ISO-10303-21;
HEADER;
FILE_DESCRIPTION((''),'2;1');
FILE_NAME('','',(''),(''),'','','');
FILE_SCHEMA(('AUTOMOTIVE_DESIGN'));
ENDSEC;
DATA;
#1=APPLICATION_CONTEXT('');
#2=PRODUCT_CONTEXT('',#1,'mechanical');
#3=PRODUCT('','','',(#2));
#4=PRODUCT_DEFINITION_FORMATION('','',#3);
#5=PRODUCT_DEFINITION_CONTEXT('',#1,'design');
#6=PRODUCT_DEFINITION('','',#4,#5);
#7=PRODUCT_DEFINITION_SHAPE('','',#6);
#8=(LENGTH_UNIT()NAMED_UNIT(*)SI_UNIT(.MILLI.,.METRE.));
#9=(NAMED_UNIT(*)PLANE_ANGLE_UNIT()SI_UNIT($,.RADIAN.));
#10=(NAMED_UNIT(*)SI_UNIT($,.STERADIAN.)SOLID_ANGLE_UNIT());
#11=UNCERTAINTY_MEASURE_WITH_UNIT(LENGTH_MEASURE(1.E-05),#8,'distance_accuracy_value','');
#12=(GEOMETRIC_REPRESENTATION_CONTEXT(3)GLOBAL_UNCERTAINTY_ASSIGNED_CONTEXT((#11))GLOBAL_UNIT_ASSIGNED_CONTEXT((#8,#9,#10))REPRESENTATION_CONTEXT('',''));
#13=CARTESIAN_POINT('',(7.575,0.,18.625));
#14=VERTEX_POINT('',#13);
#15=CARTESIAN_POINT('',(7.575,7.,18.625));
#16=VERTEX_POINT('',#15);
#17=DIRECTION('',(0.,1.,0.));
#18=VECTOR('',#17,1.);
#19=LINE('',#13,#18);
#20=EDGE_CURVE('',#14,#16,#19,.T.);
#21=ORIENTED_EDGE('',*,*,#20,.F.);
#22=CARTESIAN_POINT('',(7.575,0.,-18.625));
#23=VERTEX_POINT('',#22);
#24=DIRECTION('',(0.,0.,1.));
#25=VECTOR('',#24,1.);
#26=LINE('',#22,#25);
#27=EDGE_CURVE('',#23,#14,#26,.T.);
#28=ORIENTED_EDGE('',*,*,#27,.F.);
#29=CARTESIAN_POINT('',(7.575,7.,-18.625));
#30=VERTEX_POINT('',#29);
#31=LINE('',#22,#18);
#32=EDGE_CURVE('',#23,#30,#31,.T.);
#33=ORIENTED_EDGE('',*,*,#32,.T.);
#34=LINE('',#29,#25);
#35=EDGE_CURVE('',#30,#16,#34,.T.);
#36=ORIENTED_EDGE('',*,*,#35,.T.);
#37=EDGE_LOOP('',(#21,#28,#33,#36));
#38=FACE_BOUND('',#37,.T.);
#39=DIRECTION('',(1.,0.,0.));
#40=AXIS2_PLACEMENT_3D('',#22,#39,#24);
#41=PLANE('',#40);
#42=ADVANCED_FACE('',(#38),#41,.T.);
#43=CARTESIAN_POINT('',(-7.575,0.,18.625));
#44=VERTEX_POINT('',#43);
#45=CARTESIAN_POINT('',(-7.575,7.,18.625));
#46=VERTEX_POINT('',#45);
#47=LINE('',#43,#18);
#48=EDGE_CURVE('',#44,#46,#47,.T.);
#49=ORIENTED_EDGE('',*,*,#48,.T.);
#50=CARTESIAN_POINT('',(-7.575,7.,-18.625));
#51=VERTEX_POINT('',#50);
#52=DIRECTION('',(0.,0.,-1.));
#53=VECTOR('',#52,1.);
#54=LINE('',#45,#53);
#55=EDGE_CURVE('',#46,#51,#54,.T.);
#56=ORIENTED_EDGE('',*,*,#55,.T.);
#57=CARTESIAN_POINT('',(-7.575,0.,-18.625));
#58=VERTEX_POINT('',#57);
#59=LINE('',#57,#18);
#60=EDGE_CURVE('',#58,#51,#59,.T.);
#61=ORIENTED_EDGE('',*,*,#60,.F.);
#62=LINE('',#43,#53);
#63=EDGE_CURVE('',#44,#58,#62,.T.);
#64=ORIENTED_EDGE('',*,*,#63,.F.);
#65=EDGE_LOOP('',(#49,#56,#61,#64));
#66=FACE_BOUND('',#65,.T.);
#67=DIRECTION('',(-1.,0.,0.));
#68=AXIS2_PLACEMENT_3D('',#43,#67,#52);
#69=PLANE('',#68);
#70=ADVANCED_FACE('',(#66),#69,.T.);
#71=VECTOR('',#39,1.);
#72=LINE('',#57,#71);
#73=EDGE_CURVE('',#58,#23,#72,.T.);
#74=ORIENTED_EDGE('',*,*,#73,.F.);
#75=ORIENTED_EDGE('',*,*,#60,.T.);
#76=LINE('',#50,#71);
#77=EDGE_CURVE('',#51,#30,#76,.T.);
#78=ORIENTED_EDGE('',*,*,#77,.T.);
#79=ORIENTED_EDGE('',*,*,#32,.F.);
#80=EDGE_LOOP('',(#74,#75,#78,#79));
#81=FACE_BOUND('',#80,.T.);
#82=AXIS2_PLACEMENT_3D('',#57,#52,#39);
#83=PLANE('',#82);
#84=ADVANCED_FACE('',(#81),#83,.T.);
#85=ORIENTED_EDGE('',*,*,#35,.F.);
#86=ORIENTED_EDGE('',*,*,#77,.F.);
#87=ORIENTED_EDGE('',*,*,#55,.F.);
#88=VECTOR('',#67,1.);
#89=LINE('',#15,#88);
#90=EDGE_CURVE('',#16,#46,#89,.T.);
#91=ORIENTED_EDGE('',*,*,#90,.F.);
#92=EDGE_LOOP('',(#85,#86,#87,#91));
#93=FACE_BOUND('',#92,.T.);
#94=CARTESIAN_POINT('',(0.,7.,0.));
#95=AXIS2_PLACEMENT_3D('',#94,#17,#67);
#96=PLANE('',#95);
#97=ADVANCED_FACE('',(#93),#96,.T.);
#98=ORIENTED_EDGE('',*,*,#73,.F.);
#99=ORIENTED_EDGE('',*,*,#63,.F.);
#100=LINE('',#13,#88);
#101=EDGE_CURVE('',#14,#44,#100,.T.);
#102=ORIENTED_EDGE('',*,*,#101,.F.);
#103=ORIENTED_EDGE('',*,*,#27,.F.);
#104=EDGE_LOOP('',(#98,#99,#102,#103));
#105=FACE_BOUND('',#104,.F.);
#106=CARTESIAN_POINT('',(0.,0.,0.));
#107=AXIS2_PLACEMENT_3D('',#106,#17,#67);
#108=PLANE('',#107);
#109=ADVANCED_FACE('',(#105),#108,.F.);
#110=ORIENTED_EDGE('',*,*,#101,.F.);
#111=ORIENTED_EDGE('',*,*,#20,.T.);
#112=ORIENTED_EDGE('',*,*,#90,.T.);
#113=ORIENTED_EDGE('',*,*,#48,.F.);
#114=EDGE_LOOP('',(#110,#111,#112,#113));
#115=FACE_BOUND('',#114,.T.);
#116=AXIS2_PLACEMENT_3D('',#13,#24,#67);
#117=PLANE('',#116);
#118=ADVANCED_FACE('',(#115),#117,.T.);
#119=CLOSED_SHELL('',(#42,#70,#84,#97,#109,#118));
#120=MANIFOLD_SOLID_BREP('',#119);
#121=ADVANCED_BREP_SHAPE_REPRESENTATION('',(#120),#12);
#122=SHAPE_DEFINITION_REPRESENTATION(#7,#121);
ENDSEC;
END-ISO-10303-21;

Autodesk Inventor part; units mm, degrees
ref_plane "XZ Plane" through (0, 0, 0) normal (0, 1, 0) x (-1, 0, 0)
ref_plane "XY Plane" through (0, 0, 0) normal (0, 0, 1) x (1, 0, 0)
sketch "Sketch1" plane through (0, 0, 0) normal (0, 1, 0) x (-1, 0, 0)
  line L0 (-7.575, 18.625) -> (7.575, 18.625)
  line L1 (7.575, 18.625) -> (7.575, -18.625)
  line L2 (7.575, -18.625) -> (-7.575, -18.625)
  line L3 (-7.575, -18.625) -> (-7.575, 18.625)
  line L4 (-7.575, 18.625) -> (7.575, -18.625) construction
  line L5 (7.575, 18.625) -> (-7.575, -18.625) construction
  point P0 (0, 0)
  dimension "d0" = 15.15
  dimension "d1" = 37.25
extrude "Extrusion1" add sketch "Sketch1" along normal blind 7
properties part number "Battery_37v_320mAh"
